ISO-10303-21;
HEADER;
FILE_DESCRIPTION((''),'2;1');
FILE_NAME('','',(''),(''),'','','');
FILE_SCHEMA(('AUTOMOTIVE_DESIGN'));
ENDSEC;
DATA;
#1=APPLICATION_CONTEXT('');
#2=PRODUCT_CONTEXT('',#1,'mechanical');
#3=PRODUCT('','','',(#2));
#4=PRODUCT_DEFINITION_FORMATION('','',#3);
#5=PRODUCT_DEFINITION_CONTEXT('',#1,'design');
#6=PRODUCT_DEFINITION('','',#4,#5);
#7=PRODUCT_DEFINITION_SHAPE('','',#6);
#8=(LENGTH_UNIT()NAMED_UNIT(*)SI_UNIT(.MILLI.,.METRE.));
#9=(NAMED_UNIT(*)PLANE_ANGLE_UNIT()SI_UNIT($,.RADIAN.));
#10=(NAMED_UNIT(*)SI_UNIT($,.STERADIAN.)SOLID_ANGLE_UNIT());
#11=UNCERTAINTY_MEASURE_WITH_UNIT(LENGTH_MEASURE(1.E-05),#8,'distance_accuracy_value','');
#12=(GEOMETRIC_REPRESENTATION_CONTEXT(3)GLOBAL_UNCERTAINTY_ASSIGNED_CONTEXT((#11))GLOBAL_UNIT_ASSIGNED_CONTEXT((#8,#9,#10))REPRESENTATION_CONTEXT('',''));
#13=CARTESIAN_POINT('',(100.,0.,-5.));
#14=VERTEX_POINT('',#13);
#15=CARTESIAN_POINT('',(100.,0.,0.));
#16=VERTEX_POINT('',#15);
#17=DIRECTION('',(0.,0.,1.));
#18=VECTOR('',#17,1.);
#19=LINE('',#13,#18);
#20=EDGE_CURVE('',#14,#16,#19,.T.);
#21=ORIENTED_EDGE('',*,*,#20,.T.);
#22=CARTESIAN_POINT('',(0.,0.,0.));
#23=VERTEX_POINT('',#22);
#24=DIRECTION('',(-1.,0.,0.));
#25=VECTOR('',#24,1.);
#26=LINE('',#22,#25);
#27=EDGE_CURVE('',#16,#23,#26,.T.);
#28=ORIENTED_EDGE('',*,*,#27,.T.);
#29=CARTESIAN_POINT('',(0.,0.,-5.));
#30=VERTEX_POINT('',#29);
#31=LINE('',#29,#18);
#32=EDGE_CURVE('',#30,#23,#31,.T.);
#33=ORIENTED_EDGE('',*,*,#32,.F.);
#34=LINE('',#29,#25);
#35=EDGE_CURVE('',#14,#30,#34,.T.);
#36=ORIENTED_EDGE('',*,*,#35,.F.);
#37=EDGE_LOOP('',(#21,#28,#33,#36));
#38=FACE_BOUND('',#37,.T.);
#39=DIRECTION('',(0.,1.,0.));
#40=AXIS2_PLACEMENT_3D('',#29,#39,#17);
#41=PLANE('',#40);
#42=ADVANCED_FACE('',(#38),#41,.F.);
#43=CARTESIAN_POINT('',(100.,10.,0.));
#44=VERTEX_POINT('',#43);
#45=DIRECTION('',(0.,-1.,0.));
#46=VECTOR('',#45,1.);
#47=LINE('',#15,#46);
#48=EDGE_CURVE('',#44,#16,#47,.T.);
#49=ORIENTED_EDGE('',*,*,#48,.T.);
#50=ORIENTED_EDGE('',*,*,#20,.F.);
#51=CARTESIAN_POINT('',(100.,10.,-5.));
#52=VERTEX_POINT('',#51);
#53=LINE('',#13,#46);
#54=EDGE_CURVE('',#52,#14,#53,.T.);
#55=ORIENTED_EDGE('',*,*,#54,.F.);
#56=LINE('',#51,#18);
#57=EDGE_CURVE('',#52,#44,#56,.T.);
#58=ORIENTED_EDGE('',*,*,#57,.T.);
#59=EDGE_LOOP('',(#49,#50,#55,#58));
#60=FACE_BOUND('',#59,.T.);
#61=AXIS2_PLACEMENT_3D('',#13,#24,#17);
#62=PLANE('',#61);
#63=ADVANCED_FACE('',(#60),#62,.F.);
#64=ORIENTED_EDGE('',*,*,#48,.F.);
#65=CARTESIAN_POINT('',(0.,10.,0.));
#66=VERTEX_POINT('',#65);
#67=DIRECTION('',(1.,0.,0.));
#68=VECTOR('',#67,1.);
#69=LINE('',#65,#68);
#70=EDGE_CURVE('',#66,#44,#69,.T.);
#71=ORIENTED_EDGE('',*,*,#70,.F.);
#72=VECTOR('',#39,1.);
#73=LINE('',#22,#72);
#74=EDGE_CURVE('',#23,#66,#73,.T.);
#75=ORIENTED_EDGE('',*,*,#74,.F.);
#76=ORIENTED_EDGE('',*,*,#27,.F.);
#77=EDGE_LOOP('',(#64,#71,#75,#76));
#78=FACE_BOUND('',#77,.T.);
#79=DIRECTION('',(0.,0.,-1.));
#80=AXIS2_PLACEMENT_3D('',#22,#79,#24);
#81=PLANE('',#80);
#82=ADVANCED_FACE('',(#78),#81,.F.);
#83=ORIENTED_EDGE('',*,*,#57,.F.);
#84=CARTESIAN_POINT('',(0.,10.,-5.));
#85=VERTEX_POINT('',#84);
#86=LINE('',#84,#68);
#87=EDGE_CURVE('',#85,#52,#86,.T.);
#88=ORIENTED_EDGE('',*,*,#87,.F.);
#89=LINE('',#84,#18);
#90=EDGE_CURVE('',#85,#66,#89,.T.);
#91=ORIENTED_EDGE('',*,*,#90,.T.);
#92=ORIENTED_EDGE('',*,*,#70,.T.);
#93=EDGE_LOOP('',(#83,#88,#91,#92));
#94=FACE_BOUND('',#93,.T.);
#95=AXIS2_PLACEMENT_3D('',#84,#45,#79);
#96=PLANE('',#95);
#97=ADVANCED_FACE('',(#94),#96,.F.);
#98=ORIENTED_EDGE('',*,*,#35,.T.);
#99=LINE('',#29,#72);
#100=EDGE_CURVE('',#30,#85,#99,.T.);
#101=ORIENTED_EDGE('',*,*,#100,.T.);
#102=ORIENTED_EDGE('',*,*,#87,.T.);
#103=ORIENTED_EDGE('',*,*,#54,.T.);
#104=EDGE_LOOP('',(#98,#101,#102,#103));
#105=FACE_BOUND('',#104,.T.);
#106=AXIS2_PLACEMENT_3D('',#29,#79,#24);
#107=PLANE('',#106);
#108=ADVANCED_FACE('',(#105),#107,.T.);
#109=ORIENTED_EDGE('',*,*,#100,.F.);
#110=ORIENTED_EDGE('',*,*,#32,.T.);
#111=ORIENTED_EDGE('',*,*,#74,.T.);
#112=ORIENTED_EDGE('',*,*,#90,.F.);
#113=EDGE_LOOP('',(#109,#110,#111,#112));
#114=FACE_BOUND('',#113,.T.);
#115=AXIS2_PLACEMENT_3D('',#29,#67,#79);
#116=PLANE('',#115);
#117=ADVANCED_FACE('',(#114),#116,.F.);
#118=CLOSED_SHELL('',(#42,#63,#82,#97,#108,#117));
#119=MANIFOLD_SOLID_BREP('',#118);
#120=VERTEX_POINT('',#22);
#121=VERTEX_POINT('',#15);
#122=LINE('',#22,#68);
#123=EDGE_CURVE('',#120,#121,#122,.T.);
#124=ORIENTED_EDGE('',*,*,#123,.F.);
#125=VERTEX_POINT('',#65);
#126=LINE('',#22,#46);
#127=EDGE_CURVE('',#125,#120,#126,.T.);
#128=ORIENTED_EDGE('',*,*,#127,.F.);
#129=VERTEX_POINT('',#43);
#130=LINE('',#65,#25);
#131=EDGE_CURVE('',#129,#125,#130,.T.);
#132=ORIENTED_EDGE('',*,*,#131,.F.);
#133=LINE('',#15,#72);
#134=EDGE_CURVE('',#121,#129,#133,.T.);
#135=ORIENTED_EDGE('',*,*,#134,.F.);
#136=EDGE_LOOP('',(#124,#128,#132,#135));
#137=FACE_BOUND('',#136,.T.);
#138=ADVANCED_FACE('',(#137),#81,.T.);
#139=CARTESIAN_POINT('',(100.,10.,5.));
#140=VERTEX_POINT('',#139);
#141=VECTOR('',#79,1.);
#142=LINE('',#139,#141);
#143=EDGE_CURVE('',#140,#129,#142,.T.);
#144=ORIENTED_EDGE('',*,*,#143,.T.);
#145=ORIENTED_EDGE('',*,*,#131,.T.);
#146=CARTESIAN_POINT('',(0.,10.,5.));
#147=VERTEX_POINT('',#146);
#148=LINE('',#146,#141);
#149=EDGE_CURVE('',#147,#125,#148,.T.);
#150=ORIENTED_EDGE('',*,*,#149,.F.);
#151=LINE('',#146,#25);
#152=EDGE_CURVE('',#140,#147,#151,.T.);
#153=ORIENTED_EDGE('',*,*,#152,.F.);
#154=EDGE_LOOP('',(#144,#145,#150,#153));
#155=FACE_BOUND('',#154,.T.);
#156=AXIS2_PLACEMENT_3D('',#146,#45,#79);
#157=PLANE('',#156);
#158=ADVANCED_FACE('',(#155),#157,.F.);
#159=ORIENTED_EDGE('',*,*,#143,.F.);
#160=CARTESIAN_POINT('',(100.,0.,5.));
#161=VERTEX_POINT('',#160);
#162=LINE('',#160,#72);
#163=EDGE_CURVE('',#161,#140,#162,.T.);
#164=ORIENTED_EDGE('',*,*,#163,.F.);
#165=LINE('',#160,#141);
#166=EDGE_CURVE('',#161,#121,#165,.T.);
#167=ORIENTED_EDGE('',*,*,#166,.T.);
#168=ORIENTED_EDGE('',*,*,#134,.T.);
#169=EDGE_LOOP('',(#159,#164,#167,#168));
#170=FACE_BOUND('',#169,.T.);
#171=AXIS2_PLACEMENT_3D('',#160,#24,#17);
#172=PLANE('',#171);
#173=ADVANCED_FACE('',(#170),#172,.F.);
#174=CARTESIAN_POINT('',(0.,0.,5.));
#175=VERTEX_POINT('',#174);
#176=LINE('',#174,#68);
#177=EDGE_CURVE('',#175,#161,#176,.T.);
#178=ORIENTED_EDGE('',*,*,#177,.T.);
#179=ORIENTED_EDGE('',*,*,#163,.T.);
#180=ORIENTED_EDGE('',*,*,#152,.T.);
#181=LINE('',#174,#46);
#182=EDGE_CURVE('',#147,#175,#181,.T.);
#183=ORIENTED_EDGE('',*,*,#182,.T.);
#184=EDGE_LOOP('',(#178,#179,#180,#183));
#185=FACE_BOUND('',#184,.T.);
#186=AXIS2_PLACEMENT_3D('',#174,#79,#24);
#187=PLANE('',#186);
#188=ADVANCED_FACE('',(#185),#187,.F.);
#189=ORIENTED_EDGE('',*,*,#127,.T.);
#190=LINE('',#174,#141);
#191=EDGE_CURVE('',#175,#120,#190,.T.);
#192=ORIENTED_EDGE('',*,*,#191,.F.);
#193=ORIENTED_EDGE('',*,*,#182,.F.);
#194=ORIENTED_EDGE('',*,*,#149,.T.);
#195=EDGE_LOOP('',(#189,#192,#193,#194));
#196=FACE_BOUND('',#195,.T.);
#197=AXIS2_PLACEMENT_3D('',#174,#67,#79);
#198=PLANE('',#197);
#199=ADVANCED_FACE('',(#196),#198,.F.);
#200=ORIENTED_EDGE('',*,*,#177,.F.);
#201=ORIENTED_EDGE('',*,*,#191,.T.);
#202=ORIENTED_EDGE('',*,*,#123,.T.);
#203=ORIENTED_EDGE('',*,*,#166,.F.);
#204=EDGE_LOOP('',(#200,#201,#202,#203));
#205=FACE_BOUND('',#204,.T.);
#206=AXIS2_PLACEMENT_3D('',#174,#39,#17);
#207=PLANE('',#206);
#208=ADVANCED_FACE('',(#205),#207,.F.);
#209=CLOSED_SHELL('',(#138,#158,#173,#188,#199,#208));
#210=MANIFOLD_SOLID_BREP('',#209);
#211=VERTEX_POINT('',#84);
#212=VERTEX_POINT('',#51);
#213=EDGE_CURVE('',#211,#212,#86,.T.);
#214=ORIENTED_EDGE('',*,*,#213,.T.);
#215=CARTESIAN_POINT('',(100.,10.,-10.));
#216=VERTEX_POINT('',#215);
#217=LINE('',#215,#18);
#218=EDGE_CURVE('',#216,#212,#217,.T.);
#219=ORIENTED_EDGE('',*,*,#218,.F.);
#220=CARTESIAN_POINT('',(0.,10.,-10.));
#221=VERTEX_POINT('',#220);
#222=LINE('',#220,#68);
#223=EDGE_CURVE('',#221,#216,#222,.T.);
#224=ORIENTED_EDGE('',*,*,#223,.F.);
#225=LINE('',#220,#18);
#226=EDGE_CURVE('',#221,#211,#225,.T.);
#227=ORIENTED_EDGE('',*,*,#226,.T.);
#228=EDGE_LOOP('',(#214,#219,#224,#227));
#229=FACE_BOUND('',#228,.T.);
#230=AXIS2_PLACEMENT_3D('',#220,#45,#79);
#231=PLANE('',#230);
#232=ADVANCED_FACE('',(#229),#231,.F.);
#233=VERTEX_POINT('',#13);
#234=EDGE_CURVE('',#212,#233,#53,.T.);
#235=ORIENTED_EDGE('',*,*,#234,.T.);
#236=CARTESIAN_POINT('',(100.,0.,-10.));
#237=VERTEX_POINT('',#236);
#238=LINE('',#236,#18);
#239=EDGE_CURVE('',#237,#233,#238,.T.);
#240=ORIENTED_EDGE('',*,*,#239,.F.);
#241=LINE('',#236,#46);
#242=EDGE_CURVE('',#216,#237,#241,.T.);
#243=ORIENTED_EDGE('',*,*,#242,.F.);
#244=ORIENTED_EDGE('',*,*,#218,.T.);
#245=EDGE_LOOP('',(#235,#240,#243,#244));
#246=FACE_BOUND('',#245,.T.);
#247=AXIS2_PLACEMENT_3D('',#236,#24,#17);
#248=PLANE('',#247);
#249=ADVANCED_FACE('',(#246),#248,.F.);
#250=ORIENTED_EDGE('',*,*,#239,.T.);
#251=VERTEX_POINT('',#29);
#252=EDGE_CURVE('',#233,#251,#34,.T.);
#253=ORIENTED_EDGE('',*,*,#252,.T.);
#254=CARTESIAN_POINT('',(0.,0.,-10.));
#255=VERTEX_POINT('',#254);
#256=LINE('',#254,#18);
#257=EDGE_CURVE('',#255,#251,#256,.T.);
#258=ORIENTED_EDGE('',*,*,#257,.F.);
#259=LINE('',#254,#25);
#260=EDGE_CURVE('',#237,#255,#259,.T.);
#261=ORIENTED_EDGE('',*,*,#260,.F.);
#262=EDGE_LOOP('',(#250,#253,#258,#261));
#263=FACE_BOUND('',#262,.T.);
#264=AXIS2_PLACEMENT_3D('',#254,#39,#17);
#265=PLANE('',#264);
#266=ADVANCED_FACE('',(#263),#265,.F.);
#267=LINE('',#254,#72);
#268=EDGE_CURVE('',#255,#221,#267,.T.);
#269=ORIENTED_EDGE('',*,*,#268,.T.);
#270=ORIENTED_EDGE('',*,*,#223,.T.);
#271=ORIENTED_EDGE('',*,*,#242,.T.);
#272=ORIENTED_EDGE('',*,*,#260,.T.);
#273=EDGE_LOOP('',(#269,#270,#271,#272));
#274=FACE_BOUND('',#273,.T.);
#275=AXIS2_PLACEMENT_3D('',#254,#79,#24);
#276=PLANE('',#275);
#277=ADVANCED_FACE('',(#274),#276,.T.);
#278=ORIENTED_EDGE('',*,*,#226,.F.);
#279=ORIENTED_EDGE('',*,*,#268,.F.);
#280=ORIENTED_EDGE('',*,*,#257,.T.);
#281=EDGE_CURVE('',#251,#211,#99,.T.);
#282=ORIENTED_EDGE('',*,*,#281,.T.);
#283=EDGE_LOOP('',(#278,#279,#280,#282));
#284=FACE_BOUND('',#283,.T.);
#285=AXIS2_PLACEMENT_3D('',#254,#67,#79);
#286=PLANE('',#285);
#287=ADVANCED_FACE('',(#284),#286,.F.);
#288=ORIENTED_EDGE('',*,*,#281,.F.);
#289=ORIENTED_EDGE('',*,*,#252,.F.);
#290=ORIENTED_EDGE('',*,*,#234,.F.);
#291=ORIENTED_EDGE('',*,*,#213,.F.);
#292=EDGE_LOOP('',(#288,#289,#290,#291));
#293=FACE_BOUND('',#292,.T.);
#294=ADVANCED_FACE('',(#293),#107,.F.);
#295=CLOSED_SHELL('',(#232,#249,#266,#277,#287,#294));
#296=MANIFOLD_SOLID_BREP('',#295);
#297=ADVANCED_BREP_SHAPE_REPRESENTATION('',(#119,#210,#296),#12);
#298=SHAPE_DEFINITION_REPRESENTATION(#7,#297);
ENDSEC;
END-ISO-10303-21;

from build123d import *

# Parameters (mm, degrees)
SKETCH_1_W      = 100
SKETCH_1_H      = 10
EXTRUDE_1_DEPTH = 5
SKETCH_4_W      = 100
SKETCH_4_H      = 10
EXTRUDE_3_DEPTH = 5
SKETCH_5_W      = 100
SKETCH_5_H      = 10
EXTRUDE_4_DEPTH = 5


with BuildPart() as part:
    # ｽｹｯﾁ1 → ﾎﾞｽ - 押し出し1 (new body)
    with BuildSketch(Plane.XY):
        with Locations((50, 5)):
            Rectangle(SKETCH_1_W, SKETCH_1_H)
    extrude(amount=EXTRUDE_1_DEPTH)


with BuildPart() as body_2:
    # ｽｹｯﾁ4 → ﾎﾞｽ - 押し出し3 (new body)
    with BuildSketch(Plane(origin=(0, 0, 0), x_dir=(-1, 0, 0), z_dir=(0, 0, -1))):
        with Locations((-50, 5)):
            Rectangle(SKETCH_4_W, SKETCH_4_H)
    extrude(amount=EXTRUDE_3_DEPTH)


with BuildPart() as body_3:
    # ｽｹｯﾁ5 → ﾎﾞｽ - 押し出し4 (new body)
    with BuildSketch(Plane(origin=(0, 0, -5), x_dir=(-1, 0, 0), z_dir=(0, 0, -1))):
        with Locations((-50, 5)):
            Rectangle(SKETCH_5_W, SKETCH_5_H)
    extrude(amount=EXTRUDE_4_DEPTH)


solid = Compound([part.part, body_2.part, body_3.part])
